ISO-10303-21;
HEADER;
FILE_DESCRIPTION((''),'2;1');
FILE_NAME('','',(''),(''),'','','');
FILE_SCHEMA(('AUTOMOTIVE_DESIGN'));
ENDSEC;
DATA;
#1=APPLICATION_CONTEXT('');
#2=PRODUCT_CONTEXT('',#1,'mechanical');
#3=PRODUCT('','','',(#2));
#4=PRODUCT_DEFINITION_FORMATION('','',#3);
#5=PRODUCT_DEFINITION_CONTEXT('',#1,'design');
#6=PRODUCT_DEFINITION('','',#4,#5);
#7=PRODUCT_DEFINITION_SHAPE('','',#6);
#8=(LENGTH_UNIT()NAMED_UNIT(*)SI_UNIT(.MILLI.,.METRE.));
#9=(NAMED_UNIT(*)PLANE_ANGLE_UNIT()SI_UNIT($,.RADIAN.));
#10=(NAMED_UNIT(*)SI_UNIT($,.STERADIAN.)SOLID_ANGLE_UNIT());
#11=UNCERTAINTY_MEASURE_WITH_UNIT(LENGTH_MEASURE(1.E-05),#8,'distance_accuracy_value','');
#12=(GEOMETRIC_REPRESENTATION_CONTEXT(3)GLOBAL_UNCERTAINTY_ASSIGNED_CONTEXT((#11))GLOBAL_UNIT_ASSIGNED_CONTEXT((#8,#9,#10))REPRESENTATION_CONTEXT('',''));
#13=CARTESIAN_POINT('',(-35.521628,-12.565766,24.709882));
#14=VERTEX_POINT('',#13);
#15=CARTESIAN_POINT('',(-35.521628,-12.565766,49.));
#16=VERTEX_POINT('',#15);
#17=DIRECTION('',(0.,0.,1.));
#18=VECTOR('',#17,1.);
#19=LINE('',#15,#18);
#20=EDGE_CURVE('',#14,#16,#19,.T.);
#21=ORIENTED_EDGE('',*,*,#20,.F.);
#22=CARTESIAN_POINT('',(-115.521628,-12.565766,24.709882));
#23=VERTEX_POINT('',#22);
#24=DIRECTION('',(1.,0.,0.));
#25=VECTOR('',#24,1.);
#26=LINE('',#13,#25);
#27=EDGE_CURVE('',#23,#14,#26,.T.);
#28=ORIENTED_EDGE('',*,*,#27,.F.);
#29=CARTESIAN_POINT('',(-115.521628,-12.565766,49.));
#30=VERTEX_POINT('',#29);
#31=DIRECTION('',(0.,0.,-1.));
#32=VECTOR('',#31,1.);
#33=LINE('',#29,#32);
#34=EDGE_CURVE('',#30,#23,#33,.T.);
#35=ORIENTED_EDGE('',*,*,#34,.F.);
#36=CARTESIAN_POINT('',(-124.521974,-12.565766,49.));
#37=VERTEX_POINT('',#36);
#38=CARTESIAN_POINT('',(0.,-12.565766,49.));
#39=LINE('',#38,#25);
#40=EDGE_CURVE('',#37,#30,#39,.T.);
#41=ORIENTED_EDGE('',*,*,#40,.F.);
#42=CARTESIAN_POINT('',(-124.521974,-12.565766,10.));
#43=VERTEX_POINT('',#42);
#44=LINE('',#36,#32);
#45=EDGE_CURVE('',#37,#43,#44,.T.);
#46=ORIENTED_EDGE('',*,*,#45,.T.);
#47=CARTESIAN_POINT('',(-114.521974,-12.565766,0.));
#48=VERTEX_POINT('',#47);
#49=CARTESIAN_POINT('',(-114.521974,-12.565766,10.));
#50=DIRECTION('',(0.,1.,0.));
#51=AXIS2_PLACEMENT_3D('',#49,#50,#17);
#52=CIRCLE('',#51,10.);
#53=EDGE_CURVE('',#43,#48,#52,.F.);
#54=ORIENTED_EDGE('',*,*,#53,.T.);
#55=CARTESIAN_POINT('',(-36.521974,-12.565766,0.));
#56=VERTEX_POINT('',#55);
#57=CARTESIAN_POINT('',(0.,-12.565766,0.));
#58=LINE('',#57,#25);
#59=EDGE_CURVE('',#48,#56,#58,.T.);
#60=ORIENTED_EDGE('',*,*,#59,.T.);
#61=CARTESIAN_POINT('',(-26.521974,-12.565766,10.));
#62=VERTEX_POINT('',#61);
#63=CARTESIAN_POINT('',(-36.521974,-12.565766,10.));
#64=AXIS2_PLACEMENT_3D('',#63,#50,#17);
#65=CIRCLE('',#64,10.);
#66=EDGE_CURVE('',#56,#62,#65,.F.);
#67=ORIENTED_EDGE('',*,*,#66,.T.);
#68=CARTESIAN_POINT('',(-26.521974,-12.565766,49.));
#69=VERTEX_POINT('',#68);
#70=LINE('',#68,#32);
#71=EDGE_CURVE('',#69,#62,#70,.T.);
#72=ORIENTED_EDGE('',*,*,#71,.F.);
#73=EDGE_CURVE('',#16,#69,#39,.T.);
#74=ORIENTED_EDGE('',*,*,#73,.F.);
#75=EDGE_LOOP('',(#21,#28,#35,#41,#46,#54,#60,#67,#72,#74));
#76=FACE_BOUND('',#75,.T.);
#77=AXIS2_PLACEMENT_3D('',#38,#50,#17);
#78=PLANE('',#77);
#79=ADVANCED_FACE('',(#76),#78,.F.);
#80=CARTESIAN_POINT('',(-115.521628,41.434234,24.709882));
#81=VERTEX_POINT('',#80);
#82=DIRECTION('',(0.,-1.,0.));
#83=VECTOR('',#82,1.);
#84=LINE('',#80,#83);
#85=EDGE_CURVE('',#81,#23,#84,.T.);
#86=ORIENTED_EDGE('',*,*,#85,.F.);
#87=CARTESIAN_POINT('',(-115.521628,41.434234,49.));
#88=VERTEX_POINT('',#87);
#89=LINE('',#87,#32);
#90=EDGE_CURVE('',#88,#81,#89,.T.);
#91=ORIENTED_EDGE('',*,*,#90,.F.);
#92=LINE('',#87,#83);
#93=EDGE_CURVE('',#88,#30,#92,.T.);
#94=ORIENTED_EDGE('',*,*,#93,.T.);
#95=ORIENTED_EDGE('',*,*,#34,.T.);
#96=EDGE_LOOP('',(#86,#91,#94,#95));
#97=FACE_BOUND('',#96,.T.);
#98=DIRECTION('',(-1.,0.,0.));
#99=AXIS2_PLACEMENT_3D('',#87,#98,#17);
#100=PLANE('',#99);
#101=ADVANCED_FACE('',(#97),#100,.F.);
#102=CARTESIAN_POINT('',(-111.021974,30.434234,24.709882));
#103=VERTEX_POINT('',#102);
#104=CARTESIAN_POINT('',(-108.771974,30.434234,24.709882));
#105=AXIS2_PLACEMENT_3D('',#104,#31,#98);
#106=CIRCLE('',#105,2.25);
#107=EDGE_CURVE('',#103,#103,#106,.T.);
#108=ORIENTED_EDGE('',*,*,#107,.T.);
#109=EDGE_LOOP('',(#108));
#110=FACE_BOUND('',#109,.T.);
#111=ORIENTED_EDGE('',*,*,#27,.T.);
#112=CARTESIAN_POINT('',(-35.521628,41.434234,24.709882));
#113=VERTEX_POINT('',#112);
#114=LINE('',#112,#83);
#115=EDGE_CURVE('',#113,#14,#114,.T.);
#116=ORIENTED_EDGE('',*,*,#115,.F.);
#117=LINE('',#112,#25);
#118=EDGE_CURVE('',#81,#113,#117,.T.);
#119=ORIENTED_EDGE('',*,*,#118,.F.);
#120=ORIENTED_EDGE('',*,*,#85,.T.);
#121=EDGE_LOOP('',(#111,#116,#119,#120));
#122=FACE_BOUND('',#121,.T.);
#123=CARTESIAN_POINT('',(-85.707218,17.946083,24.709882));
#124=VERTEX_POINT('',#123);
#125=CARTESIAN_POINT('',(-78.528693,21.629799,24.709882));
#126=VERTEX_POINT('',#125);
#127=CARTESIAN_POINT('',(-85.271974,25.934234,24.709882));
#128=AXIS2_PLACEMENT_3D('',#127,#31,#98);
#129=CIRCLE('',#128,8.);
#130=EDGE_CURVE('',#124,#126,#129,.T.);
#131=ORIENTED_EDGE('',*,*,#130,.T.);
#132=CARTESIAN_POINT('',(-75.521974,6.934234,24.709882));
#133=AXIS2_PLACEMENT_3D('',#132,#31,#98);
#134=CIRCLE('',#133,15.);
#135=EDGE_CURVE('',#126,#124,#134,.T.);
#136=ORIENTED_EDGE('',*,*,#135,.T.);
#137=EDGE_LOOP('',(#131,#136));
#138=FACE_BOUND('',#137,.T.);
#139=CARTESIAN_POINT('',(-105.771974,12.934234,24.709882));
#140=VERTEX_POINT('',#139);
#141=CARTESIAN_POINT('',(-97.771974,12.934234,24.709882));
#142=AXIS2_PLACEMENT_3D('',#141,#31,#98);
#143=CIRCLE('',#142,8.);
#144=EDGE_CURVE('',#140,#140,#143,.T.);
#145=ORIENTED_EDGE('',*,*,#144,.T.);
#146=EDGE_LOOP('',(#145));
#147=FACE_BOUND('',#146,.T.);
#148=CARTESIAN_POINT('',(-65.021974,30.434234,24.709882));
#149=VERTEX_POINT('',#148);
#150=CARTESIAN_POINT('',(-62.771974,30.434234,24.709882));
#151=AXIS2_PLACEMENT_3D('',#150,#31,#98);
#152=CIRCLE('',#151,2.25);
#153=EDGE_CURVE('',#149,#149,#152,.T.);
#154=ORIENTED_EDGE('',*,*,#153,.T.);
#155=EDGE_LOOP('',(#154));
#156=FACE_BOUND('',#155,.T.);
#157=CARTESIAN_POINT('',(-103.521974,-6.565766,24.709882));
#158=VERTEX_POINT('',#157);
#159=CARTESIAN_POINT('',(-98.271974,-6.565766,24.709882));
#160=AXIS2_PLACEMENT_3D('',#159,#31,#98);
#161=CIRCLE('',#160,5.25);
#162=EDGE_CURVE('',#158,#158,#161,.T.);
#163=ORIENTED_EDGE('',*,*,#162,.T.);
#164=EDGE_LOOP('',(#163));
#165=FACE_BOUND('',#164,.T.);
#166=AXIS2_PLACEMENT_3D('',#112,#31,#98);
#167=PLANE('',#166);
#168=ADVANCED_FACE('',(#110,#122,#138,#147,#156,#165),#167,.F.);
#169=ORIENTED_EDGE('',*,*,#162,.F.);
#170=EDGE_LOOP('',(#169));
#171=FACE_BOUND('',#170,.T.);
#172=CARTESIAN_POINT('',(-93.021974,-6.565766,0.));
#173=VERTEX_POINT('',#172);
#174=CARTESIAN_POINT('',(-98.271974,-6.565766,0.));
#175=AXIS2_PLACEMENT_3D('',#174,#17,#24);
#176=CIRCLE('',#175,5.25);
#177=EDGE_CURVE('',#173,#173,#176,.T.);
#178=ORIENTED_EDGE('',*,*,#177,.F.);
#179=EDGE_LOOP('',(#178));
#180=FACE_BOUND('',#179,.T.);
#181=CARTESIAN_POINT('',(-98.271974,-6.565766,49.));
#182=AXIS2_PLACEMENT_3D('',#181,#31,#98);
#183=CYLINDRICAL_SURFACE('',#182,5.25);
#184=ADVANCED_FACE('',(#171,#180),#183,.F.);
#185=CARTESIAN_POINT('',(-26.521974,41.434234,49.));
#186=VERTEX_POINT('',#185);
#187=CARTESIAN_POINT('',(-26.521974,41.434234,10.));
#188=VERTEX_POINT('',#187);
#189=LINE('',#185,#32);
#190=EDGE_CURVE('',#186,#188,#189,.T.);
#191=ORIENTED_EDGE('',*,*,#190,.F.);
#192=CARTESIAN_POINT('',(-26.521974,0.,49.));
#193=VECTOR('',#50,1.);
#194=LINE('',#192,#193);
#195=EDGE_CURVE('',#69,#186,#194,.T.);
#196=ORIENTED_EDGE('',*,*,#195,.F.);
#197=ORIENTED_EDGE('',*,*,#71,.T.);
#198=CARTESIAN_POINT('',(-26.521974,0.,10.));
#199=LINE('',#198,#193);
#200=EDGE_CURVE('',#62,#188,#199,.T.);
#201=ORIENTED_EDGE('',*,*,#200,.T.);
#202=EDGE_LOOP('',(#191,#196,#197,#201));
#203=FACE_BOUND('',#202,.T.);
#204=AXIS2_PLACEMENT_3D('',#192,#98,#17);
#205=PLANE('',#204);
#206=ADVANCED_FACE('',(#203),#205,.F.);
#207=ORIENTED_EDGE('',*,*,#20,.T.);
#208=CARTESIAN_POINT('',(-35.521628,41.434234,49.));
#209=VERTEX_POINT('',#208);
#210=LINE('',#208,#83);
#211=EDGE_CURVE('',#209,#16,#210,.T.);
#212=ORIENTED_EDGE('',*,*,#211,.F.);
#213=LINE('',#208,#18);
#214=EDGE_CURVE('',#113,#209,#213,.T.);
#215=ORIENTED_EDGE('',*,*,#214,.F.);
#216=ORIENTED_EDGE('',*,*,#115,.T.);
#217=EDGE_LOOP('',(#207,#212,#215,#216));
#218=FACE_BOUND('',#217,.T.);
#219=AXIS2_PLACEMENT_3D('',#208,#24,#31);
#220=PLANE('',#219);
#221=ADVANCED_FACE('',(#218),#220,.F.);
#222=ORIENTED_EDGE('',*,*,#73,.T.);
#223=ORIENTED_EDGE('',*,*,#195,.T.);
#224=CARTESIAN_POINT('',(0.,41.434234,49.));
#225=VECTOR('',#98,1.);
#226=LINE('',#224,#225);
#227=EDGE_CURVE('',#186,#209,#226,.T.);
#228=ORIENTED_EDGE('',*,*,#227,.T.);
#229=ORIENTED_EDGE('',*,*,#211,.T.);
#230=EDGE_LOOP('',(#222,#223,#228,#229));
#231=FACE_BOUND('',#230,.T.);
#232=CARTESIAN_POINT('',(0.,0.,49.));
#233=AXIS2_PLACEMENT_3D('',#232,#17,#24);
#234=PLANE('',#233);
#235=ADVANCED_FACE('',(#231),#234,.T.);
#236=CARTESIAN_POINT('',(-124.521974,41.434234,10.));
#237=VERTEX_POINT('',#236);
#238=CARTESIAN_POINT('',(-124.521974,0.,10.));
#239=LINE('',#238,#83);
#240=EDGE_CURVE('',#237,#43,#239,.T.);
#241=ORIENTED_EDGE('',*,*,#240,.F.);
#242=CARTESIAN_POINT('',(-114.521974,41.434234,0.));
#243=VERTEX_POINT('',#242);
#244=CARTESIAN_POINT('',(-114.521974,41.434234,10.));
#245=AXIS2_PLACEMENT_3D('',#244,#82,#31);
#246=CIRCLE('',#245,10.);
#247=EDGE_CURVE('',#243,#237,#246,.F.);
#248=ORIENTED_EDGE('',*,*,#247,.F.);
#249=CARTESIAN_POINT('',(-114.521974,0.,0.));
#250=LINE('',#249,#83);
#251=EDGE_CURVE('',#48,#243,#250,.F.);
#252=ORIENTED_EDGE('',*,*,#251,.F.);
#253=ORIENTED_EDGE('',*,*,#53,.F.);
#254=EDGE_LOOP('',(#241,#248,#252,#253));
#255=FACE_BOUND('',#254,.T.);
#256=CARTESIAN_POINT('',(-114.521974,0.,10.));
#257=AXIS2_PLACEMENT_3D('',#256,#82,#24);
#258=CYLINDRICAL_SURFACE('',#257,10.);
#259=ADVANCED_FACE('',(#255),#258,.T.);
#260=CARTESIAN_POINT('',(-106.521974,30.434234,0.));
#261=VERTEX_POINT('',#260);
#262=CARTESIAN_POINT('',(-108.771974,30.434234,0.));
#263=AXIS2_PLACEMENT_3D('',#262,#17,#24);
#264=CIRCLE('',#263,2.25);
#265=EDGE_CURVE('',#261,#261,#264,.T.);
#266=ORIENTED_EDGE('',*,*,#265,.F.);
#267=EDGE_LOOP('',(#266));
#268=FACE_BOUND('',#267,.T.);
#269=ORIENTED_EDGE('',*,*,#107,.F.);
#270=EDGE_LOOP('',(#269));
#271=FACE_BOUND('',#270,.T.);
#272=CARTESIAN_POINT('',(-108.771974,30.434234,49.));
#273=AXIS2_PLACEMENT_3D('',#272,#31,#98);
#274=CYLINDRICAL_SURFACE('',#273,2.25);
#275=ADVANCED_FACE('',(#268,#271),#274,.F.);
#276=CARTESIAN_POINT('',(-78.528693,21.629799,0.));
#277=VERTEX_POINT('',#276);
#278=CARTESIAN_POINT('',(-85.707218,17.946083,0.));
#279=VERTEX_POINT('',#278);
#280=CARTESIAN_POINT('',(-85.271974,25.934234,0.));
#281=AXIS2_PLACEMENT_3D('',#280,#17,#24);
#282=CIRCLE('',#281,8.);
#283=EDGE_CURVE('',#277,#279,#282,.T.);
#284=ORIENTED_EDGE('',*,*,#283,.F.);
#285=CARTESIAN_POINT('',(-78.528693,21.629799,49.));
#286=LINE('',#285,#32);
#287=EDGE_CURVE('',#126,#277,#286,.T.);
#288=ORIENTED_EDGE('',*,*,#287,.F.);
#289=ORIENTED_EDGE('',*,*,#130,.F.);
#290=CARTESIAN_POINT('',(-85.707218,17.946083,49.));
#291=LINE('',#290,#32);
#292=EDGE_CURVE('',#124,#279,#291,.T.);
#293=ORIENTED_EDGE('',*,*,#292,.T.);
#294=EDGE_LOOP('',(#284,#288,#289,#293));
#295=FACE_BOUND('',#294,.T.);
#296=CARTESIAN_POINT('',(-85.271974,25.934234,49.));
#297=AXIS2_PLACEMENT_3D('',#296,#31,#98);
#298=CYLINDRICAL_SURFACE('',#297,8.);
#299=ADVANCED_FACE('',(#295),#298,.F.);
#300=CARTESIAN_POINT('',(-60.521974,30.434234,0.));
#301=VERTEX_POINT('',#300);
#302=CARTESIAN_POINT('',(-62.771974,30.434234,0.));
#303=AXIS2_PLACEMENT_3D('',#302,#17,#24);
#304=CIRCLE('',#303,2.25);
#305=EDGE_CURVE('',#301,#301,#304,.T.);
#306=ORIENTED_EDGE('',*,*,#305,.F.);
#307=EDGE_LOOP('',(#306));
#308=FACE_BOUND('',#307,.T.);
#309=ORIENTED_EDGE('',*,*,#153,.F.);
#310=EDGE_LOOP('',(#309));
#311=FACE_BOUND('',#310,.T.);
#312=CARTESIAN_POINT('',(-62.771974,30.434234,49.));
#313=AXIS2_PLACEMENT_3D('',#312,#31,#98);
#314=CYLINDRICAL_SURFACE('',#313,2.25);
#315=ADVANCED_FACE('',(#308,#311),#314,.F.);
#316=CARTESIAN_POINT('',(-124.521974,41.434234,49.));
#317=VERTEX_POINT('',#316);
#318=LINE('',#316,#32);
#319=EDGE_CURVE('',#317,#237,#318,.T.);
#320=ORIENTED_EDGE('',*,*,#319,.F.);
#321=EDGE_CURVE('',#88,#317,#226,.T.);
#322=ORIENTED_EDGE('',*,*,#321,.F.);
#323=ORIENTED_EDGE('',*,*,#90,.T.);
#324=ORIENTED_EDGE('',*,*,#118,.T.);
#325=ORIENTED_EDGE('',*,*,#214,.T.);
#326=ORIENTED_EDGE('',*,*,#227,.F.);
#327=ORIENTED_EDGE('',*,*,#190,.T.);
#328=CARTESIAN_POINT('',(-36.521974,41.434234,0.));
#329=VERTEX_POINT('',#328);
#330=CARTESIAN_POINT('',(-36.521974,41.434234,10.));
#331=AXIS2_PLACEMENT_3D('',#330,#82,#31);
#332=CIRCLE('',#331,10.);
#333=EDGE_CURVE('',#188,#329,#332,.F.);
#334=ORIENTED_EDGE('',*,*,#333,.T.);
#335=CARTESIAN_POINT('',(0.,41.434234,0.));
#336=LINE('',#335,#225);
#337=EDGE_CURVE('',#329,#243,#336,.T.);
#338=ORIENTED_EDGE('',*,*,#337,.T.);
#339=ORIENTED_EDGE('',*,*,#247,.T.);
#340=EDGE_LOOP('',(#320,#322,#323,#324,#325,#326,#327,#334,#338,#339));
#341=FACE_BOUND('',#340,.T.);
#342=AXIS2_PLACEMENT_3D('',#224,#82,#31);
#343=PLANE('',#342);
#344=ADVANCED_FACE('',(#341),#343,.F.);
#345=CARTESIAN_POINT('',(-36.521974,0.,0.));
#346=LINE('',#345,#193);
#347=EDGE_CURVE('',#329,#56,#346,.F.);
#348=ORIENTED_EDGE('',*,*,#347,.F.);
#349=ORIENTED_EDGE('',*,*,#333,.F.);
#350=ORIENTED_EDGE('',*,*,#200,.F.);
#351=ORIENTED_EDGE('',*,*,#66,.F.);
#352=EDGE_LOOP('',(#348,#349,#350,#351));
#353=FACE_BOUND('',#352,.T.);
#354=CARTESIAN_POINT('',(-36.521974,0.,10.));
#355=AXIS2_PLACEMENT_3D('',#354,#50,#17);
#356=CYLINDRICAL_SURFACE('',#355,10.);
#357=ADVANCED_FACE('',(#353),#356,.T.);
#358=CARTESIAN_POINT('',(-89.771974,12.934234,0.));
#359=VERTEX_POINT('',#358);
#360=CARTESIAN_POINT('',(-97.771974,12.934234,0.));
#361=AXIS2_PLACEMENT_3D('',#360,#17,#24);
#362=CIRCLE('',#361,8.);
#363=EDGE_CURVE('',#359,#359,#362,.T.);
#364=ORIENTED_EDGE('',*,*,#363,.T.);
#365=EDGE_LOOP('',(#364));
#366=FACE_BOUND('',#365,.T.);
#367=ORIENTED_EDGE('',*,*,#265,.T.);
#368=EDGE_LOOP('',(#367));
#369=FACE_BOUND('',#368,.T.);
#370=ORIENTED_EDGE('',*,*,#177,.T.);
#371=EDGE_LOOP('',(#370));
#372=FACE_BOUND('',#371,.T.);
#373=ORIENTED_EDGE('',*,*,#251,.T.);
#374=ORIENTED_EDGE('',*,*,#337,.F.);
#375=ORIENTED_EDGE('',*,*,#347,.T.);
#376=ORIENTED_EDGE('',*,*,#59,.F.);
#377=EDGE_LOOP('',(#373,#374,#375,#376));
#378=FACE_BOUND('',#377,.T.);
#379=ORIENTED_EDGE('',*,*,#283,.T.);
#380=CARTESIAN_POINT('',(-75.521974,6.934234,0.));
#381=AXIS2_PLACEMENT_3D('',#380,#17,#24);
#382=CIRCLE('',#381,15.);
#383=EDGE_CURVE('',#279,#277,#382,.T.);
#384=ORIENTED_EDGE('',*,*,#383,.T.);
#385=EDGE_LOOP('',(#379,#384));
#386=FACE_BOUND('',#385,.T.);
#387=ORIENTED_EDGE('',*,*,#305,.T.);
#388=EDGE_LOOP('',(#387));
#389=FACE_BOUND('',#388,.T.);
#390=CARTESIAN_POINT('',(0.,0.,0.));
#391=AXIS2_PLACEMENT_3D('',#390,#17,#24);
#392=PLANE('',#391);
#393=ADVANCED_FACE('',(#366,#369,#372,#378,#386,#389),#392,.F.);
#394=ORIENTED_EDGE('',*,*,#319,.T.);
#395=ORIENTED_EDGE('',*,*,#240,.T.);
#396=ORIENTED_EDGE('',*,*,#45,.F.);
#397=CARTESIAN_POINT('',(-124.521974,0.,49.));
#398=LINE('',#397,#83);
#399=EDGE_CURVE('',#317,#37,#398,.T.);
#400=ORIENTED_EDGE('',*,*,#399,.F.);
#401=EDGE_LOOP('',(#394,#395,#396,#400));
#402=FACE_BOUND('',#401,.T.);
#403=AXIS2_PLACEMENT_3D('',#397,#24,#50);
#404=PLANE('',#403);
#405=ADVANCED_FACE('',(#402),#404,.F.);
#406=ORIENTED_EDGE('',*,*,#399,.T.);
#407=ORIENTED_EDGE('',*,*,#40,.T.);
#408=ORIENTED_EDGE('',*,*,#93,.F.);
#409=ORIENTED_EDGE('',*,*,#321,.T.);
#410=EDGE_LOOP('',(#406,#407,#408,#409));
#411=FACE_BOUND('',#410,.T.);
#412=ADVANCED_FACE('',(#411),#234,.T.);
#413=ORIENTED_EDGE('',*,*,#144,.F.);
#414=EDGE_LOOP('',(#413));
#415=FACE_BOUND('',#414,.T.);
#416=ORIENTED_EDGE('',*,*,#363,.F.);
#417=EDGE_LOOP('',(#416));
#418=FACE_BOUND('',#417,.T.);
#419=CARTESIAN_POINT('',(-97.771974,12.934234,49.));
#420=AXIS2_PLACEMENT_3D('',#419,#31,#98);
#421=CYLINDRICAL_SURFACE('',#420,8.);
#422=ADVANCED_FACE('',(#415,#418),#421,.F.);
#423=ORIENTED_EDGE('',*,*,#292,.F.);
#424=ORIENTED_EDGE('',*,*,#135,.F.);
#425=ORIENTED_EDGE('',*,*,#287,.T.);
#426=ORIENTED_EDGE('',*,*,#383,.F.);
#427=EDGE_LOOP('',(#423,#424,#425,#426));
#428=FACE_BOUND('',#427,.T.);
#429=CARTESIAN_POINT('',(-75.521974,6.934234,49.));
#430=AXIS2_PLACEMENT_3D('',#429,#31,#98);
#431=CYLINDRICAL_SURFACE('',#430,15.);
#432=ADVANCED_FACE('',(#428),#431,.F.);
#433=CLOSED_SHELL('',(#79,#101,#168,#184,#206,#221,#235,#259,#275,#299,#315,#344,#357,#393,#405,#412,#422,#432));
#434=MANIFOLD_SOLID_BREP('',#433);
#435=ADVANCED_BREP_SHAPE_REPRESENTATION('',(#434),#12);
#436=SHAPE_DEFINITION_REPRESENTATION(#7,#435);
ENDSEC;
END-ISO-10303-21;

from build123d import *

# Parameters (mm, degrees)
SKETCH1_W           = 98
SKETCH1_H           = 54
SKETCH1_R           = 8
SKETCH1_R_2         = 5.25
SKETCH1_R_3         = 2.25
BOSS_EXTRUDE1_DEPTH = 49
FILLET1_R           = 10
SKETCH2_R           = 1.810942065
CUT_EXTRUDE1_DEPTH  = 145.300803777
SKETCH3_W           = 80.000000001
SKETCH3_H           = 24.290118096
CUT_EXTRUDE2_DEPTH  = 145.300803849


with BuildPart() as part:
    # Sketch1 → Boss-Extrude1 (new body)
    with BuildSketch(Plane.XY):
        with Locations((-75.521973847, 14.434233909)):
            Rectangle(SKETCH1_W, SKETCH1_H)
        with Locations((-97.771973847, 12.934233909)):
            Circle(SKETCH1_R, mode=Mode.SUBTRACT)
        with Locations((-108.771973847, 30.434233909)):
            Circle(SKETCH1_R_2, mode=Mode.SUBTRACT)
        with Locations((-98.271973847, -6.565766091)):
            Circle(SKETCH1_R_2, mode=Mode.SUBTRACT)
        with Locations((-62.771973847, 30.434233909)):
            Circle(SKETCH1_R_2, mode=Mode.SUBTRACT)
        with BuildLine():
            ThreePointArc((-78.528692534, 21.62979932), (-88.924408217, 33.051798322), (-85.70721761, 17.946082504))
            ThreePointArc((-85.70721761, 17.946082504), (-68.673659404, -6.411199365), (-78.528692534, 21.62979932))
        make_face(mode=Mode.SUBTRACT)
        with Locations((-62.771973847, 30.434233909)):
            Circle(SKETCH1_R_2)
        with Locations((-62.771973847, 30.434233909)):
            Circle(SKETCH1_R_3, mode=Mode.SUBTRACT)
        with Locations((-108.771973847, 30.434233909)):
            Circle(SKETCH1_R_2)
        with Locations((-108.771973847, 30.434233909)):
            Circle(SKETCH1_R_3, mode=Mode.SUBTRACT)
    extrude(amount=BOSS_EXTRUDE1_DEPTH)

    # Fillet1
    fillet1_edges = [part.edges().sort_by_distance(p)[0] for p in [
        (-124.521973847, 14.434233909, 0),
        (-26.521973847, 14.434233909, 0),
    ]]
    fillet(fillet1_edges, radius=FILLET1_R)

    # Sketch2 → Cut-Extrude1 (cut, through all)
    with BuildSketch(Plane(origin=(0, 41.434233909, 0), x_dir=(1, 0, 0), z_dir=(0, 1, 0))):
        with Locations(Location((-50.601973847, -39, 0), (0, 0, 270))):
            Circle(SKETCH2_R)
        with Locations(Location((-100.441973847, -39, 0), (0, 0, 270))):
            Circle(SKETCH2_R)
    extrude(amount=-CUT_EXTRUDE1_DEPTH, mode=Mode.SUBTRACT)

    # Sketch3 → Cut-Extrude2 (cut, through all)
    with BuildSketch(Plane.XZ.offset(12.565766091)):
        with Locations((-75.521627845, 36.854940952)):
            Rectangle(SKETCH3_W, SKETCH3_H)
    extrude(amount=-CUT_EXTRUDE2_DEPTH, mode=Mode.SUBTRACT)


solid = part.part
